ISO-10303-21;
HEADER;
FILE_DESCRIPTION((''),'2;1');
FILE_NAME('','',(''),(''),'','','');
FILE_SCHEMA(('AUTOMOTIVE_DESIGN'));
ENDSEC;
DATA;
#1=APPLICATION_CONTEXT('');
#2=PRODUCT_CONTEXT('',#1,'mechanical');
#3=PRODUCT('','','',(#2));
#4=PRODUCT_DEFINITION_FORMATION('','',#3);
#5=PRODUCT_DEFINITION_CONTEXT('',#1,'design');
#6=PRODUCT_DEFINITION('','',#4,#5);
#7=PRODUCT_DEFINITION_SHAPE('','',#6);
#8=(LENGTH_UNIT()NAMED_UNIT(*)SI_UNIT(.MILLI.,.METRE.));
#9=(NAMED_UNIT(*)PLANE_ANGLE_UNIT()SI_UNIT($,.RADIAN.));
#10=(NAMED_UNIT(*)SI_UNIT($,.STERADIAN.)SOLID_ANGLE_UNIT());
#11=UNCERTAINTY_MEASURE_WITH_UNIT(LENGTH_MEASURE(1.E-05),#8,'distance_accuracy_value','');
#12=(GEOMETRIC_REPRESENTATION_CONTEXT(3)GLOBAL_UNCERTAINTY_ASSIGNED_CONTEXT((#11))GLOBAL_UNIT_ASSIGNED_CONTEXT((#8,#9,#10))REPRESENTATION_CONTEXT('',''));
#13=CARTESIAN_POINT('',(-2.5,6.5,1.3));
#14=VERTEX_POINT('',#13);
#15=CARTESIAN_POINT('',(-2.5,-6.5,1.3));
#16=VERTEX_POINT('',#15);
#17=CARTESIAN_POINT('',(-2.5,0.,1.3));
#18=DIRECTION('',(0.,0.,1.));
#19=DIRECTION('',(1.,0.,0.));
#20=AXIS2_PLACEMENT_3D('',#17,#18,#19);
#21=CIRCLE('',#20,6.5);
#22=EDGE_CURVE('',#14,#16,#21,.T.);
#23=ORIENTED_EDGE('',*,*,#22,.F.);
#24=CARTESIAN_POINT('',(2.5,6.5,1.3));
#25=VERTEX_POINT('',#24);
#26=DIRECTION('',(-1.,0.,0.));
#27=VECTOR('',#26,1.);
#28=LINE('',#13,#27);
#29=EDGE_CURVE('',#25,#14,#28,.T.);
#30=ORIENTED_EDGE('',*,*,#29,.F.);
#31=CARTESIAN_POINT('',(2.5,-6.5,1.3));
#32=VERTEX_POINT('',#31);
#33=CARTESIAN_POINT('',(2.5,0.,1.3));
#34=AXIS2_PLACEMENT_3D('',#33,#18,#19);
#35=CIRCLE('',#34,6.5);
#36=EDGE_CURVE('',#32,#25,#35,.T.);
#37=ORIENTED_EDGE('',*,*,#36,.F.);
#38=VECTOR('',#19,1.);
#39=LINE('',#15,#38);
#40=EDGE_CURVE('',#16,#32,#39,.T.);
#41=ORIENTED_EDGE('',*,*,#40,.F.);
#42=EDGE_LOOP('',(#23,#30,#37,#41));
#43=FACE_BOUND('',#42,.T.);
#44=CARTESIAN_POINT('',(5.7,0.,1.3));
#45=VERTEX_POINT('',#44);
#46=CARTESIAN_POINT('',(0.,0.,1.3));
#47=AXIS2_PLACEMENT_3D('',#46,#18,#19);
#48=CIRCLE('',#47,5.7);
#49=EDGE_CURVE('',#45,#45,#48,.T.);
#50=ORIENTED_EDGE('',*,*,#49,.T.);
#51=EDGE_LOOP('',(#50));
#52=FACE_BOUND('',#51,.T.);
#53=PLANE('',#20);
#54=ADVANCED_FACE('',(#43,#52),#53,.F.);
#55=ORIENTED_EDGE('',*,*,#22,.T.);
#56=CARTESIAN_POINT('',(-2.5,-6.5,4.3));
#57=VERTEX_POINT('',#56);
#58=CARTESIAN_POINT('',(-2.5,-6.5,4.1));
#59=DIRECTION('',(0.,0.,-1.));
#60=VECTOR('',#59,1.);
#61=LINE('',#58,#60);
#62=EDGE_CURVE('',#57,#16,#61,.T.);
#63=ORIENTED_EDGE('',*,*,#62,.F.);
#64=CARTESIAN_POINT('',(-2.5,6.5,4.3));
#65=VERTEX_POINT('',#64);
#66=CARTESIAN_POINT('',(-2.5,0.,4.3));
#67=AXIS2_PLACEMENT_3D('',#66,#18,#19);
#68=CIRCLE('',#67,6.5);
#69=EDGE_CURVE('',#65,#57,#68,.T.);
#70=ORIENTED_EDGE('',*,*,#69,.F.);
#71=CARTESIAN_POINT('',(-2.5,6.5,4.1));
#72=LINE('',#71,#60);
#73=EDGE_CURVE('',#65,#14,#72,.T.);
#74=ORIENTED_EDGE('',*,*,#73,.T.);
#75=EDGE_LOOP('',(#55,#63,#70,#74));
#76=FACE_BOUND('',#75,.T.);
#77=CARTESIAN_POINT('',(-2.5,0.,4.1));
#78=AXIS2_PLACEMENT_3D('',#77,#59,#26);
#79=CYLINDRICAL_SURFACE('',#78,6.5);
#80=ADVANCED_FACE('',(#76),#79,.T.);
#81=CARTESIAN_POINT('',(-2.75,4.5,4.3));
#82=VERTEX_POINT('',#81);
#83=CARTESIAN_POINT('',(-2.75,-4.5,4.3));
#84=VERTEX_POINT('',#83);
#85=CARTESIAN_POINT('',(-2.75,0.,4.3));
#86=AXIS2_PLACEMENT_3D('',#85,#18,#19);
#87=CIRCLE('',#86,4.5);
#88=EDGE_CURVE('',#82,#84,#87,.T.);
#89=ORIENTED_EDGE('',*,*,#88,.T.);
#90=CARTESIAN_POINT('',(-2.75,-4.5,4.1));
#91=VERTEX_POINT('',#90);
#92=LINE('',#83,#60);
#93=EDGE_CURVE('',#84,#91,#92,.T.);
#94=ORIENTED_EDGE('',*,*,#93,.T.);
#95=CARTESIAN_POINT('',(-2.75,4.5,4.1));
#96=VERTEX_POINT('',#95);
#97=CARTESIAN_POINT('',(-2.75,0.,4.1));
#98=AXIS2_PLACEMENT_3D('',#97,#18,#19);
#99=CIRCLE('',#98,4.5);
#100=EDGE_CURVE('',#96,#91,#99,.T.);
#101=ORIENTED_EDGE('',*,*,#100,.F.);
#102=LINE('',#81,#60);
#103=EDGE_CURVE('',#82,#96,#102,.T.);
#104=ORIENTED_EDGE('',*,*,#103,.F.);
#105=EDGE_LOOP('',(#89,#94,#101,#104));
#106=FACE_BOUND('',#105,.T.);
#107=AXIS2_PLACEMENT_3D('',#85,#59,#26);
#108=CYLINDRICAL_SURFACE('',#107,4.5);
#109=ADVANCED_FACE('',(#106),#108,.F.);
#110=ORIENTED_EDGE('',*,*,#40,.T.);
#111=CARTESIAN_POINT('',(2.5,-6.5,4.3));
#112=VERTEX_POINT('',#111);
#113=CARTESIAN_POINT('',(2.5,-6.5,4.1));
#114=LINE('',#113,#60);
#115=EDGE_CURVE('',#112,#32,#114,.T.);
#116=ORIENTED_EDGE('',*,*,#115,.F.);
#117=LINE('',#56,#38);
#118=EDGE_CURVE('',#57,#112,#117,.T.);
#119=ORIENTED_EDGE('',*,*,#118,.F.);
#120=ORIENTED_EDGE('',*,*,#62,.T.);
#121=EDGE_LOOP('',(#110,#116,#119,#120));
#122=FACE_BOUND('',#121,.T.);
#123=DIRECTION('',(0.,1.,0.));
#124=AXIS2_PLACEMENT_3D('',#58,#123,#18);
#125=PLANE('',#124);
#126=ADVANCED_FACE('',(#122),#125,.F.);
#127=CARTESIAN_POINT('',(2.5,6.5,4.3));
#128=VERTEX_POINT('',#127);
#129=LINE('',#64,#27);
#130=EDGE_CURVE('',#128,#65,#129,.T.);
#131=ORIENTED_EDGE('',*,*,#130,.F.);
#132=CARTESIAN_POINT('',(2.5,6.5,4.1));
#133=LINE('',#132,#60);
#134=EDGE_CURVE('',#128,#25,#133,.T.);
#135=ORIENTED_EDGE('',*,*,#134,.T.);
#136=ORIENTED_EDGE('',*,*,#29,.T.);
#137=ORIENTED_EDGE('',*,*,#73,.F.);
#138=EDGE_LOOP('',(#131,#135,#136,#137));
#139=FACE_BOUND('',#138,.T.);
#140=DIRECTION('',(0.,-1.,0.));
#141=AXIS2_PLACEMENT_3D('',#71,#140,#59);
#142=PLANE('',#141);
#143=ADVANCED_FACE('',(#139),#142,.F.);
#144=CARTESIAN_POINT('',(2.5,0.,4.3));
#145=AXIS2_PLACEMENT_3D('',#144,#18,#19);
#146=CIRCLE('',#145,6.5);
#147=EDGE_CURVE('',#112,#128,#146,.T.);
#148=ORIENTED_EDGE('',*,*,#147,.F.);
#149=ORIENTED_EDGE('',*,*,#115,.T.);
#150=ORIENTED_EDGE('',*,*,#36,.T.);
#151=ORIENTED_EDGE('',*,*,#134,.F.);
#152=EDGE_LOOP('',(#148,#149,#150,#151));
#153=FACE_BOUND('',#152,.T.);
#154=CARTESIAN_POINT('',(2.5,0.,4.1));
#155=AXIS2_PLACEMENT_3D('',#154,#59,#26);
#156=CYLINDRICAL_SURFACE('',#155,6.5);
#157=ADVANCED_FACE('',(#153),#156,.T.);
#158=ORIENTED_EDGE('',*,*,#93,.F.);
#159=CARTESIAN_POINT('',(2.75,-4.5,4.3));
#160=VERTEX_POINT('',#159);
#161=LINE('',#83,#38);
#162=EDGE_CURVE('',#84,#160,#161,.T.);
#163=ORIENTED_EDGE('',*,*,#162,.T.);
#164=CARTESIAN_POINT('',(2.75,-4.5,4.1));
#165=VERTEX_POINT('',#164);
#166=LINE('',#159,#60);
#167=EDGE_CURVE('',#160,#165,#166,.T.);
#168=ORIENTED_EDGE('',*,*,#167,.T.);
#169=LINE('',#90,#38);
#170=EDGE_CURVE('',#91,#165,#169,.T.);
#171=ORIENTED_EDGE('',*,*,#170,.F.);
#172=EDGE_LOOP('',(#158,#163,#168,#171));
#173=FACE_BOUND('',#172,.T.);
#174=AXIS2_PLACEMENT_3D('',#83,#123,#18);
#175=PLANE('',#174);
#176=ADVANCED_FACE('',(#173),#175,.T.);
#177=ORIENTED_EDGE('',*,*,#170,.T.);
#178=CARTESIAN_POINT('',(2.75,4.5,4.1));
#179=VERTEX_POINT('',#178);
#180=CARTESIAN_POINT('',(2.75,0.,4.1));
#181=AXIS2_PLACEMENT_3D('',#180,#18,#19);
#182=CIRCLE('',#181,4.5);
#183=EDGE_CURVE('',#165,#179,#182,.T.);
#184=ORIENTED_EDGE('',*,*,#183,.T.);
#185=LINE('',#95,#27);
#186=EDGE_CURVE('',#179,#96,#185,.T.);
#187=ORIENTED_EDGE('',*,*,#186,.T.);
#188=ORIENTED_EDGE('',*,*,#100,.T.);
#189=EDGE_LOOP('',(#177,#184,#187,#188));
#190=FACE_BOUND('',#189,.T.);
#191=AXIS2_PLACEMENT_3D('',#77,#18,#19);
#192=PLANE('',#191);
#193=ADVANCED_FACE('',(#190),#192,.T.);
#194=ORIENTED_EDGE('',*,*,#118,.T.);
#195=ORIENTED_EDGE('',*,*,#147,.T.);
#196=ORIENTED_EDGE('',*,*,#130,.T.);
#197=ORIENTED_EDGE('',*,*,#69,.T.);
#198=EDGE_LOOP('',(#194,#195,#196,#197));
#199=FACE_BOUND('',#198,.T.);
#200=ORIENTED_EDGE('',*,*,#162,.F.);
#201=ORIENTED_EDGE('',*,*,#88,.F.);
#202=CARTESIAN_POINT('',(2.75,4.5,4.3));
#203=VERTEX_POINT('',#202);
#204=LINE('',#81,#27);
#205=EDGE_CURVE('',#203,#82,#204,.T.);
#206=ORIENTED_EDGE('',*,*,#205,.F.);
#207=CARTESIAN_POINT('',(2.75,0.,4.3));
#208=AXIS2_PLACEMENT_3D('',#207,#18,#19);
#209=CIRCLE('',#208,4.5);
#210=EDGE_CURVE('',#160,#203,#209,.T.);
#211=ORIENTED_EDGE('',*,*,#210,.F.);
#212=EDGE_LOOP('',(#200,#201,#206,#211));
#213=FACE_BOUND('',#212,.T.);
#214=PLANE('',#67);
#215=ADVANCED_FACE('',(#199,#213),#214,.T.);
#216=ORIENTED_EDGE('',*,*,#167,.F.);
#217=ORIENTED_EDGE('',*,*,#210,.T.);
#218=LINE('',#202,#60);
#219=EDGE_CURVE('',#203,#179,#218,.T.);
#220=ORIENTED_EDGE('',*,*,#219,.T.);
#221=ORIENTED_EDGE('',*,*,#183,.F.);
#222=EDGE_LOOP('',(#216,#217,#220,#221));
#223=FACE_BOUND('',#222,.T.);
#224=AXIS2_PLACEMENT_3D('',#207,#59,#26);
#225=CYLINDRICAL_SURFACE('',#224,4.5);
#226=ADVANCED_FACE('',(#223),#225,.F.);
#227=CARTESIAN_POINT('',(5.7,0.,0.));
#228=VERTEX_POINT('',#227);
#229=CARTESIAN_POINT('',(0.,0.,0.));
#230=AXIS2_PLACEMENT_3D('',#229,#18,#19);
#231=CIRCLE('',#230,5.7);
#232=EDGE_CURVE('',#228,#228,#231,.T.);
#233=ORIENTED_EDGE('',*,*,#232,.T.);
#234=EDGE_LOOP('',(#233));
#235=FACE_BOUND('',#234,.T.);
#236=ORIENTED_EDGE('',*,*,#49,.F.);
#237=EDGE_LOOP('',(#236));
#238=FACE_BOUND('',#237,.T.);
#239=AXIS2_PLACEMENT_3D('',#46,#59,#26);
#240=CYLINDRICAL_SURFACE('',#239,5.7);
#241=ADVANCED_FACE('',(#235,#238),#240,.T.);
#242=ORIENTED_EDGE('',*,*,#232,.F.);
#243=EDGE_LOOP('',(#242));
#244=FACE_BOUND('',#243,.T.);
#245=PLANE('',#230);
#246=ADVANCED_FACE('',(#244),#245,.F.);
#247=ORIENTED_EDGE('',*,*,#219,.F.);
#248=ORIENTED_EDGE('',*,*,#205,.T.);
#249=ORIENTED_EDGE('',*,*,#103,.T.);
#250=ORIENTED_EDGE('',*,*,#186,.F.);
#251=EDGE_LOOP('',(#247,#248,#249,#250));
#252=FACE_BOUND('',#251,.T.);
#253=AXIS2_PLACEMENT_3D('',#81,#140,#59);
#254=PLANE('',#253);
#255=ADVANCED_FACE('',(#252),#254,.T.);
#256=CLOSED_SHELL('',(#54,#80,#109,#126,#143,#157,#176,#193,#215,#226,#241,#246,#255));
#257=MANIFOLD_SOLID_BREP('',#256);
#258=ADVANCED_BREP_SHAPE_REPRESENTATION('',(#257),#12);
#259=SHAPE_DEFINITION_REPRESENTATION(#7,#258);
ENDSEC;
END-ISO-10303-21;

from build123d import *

# Parameters (mm, degrees)
SKETCH_1_R      = 5.7
EXTRUDE_1_DEPTH = 1.3
EXTRUDE_2_DEPTH = 2.8
EXTRUDE_3_DEPTH = 0.2


with BuildPart() as part:
    # Эскиз1 → Бобышка-Вытянуть1 (new body)
    with BuildSketch(Plane.XY):
        Circle(SKETCH_1_R)
    extrude(amount=EXTRUDE_1_DEPTH)

    # Эскиз2 → Бобышка-Вытянуть2 (add)
    with BuildSketch(Plane.XY.offset(1.3)):
        with BuildLine():
            Line((-2.5, 6.5), (2.5, 6.5))
            ThreePointArc((2.5, 6.5), (9, 0), (2.5, -6.5))
            Line((2.5, -6.5), (-2.5, -6.5))
            ThreePointArc((-2.5, -6.5), (-9, 0), (-2.5, 6.5))
        make_face()
    extrude(amount=EXTRUDE_2_DEPTH)

    # Эскиз3 → Бобышка-Вытянуть3 (add)
    with BuildSketch(Plane.XY.offset(4.1)):
        with BuildLine():
            Line((-2.5, 6.5), (2.5, 6.5))
            ThreePointArc((2.5, 6.5), (9, 0), (2.5, -6.5))
            Line((2.5, -6.5), (-2.5, -6.5))
            ThreePointArc((-2.5, -6.5), (-9, 0), (-2.5, 6.5))
        make_face()
        with BuildLine():
            Line((-2.75, 4.5), (2.75, 4.5))
            ThreePointArc((2.75, 4.5), (7.25, 0), (2.75, -4.5))
            Line((2.75, -4.5), (-2.75, -4.5))
            ThreePointArc((-2.75, -4.5), (-7.25, 0), (-2.75, 4.5))
        make_face(mode=Mode.SUBTRACT)
    extrude(amount=EXTRUDE_3_DEPTH)


solid = part.part
